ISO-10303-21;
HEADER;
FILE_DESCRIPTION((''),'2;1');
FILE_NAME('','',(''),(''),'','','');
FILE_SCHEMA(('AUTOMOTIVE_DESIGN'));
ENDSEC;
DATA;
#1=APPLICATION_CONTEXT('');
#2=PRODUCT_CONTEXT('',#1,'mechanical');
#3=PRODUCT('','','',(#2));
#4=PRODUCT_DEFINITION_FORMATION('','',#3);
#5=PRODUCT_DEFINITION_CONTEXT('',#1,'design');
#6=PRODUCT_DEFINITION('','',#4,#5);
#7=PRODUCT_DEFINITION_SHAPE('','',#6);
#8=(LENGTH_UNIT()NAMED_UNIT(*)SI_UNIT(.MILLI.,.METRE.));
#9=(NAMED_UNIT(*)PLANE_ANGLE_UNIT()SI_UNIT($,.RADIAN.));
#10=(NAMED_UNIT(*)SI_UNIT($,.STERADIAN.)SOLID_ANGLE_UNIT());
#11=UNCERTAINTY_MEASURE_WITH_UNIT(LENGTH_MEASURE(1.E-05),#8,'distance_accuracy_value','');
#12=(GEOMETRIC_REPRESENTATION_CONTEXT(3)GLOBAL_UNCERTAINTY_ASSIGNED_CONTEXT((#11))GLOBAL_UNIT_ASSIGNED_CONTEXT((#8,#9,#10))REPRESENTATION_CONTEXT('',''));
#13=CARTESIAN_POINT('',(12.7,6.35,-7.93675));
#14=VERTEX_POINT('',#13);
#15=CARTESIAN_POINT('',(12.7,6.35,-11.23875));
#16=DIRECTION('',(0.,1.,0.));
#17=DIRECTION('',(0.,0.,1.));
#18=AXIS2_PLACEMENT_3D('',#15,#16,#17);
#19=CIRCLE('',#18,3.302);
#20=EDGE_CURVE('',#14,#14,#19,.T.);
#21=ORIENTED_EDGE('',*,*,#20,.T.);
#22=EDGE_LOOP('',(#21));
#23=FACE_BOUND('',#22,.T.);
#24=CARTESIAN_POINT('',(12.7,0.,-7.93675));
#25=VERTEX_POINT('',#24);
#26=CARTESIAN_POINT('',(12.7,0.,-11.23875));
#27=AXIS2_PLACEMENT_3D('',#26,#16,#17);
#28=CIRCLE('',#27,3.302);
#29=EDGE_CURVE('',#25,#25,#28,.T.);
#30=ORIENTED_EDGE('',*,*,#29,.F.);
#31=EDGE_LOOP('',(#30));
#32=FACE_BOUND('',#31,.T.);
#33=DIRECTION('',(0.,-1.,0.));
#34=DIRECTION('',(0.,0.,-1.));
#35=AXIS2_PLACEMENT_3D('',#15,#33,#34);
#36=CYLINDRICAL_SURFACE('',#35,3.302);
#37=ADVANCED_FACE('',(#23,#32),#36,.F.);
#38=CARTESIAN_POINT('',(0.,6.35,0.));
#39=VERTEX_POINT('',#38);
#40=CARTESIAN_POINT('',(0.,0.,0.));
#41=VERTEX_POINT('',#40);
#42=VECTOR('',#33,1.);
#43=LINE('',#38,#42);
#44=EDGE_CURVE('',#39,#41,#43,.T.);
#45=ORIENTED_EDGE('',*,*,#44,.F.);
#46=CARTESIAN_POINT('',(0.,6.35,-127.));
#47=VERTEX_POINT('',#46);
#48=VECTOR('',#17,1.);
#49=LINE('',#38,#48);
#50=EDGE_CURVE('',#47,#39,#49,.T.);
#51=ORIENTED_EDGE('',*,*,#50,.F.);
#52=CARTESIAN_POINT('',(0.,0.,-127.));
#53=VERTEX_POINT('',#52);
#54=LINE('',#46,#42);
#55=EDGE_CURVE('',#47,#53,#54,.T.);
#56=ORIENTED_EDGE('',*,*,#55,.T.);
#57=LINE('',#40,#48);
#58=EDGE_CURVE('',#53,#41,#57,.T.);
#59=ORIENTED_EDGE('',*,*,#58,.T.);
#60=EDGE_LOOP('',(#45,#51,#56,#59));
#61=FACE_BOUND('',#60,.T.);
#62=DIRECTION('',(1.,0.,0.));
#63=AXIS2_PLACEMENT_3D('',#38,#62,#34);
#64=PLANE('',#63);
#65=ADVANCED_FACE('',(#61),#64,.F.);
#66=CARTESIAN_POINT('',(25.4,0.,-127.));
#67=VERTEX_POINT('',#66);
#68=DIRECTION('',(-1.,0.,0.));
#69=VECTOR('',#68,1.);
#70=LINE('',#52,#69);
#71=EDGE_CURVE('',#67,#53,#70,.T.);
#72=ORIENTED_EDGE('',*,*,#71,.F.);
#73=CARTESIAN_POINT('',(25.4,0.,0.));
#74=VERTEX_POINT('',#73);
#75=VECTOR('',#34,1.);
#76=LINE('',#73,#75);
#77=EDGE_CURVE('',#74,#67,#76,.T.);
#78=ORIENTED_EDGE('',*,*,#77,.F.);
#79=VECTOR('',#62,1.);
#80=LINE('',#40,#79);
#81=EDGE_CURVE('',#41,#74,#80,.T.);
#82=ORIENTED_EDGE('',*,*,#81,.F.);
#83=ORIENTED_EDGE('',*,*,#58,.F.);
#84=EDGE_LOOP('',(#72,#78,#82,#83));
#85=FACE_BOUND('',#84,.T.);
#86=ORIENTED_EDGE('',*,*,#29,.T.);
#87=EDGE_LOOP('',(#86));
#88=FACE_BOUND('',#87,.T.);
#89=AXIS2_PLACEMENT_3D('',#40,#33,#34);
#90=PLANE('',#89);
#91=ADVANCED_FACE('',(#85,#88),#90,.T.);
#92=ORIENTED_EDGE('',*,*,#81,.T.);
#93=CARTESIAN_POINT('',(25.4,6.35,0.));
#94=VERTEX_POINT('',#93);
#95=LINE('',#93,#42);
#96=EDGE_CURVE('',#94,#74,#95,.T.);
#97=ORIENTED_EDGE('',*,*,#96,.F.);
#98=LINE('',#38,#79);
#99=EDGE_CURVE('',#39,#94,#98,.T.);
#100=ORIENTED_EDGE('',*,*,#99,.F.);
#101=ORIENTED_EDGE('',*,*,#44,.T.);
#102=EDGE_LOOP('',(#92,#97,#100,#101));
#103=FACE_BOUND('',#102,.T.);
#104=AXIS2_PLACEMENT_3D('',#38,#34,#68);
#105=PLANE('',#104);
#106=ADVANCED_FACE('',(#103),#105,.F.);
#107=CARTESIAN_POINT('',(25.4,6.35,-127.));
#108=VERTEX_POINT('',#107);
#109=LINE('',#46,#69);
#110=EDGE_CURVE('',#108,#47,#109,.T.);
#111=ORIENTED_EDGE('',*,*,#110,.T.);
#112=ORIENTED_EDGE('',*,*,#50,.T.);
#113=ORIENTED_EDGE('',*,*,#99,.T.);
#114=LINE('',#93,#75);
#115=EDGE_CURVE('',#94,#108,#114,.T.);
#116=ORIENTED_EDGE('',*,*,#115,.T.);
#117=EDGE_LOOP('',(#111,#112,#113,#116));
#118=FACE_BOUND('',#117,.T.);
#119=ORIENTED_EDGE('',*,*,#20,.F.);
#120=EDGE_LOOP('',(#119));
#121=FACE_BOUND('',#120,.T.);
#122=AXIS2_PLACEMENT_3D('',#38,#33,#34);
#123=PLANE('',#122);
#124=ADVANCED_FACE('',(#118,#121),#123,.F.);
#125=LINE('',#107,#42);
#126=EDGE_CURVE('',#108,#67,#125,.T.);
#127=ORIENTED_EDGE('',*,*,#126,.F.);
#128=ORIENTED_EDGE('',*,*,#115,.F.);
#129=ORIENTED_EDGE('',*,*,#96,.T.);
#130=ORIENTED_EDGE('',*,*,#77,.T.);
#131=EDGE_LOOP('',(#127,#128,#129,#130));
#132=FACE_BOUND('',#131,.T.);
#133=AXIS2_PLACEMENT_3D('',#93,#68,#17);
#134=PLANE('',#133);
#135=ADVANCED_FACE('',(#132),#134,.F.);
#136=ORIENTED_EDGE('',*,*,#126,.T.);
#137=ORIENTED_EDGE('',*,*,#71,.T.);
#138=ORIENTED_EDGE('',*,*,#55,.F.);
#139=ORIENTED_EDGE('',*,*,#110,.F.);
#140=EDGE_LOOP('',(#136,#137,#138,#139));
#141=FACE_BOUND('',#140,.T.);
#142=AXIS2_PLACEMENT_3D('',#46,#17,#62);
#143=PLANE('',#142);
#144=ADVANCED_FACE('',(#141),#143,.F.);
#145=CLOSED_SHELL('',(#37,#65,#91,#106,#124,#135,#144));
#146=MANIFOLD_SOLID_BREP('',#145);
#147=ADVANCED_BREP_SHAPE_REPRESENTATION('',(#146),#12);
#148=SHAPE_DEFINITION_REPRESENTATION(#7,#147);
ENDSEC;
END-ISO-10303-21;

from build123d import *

# Parameters (mm, degrees)
SKETCH1_W           = 25.4
SKETCH1_H           = 127
SKETCH1_R           = 3.302
BOSS_EXTRUDE1_DEPTH = 6.35


with BuildPart() as part:
    # Sketch1 → Boss-Extrude1 (new body)
    with BuildSketch(Plane(origin=(0, 0, 0), x_dir=(1, 0, 0), z_dir=(0, 1, 0))):
        with Locations((12.7, 63.5)):
            Rectangle(SKETCH1_W, SKETCH1_H)
        with Locations((12.7, 11.23874987)):
            Circle(SKETCH1_R, mode=Mode.SUBTRACT)
    extrude(amount=BOSS_EXTRUDE1_DEPTH)


solid = part.part
